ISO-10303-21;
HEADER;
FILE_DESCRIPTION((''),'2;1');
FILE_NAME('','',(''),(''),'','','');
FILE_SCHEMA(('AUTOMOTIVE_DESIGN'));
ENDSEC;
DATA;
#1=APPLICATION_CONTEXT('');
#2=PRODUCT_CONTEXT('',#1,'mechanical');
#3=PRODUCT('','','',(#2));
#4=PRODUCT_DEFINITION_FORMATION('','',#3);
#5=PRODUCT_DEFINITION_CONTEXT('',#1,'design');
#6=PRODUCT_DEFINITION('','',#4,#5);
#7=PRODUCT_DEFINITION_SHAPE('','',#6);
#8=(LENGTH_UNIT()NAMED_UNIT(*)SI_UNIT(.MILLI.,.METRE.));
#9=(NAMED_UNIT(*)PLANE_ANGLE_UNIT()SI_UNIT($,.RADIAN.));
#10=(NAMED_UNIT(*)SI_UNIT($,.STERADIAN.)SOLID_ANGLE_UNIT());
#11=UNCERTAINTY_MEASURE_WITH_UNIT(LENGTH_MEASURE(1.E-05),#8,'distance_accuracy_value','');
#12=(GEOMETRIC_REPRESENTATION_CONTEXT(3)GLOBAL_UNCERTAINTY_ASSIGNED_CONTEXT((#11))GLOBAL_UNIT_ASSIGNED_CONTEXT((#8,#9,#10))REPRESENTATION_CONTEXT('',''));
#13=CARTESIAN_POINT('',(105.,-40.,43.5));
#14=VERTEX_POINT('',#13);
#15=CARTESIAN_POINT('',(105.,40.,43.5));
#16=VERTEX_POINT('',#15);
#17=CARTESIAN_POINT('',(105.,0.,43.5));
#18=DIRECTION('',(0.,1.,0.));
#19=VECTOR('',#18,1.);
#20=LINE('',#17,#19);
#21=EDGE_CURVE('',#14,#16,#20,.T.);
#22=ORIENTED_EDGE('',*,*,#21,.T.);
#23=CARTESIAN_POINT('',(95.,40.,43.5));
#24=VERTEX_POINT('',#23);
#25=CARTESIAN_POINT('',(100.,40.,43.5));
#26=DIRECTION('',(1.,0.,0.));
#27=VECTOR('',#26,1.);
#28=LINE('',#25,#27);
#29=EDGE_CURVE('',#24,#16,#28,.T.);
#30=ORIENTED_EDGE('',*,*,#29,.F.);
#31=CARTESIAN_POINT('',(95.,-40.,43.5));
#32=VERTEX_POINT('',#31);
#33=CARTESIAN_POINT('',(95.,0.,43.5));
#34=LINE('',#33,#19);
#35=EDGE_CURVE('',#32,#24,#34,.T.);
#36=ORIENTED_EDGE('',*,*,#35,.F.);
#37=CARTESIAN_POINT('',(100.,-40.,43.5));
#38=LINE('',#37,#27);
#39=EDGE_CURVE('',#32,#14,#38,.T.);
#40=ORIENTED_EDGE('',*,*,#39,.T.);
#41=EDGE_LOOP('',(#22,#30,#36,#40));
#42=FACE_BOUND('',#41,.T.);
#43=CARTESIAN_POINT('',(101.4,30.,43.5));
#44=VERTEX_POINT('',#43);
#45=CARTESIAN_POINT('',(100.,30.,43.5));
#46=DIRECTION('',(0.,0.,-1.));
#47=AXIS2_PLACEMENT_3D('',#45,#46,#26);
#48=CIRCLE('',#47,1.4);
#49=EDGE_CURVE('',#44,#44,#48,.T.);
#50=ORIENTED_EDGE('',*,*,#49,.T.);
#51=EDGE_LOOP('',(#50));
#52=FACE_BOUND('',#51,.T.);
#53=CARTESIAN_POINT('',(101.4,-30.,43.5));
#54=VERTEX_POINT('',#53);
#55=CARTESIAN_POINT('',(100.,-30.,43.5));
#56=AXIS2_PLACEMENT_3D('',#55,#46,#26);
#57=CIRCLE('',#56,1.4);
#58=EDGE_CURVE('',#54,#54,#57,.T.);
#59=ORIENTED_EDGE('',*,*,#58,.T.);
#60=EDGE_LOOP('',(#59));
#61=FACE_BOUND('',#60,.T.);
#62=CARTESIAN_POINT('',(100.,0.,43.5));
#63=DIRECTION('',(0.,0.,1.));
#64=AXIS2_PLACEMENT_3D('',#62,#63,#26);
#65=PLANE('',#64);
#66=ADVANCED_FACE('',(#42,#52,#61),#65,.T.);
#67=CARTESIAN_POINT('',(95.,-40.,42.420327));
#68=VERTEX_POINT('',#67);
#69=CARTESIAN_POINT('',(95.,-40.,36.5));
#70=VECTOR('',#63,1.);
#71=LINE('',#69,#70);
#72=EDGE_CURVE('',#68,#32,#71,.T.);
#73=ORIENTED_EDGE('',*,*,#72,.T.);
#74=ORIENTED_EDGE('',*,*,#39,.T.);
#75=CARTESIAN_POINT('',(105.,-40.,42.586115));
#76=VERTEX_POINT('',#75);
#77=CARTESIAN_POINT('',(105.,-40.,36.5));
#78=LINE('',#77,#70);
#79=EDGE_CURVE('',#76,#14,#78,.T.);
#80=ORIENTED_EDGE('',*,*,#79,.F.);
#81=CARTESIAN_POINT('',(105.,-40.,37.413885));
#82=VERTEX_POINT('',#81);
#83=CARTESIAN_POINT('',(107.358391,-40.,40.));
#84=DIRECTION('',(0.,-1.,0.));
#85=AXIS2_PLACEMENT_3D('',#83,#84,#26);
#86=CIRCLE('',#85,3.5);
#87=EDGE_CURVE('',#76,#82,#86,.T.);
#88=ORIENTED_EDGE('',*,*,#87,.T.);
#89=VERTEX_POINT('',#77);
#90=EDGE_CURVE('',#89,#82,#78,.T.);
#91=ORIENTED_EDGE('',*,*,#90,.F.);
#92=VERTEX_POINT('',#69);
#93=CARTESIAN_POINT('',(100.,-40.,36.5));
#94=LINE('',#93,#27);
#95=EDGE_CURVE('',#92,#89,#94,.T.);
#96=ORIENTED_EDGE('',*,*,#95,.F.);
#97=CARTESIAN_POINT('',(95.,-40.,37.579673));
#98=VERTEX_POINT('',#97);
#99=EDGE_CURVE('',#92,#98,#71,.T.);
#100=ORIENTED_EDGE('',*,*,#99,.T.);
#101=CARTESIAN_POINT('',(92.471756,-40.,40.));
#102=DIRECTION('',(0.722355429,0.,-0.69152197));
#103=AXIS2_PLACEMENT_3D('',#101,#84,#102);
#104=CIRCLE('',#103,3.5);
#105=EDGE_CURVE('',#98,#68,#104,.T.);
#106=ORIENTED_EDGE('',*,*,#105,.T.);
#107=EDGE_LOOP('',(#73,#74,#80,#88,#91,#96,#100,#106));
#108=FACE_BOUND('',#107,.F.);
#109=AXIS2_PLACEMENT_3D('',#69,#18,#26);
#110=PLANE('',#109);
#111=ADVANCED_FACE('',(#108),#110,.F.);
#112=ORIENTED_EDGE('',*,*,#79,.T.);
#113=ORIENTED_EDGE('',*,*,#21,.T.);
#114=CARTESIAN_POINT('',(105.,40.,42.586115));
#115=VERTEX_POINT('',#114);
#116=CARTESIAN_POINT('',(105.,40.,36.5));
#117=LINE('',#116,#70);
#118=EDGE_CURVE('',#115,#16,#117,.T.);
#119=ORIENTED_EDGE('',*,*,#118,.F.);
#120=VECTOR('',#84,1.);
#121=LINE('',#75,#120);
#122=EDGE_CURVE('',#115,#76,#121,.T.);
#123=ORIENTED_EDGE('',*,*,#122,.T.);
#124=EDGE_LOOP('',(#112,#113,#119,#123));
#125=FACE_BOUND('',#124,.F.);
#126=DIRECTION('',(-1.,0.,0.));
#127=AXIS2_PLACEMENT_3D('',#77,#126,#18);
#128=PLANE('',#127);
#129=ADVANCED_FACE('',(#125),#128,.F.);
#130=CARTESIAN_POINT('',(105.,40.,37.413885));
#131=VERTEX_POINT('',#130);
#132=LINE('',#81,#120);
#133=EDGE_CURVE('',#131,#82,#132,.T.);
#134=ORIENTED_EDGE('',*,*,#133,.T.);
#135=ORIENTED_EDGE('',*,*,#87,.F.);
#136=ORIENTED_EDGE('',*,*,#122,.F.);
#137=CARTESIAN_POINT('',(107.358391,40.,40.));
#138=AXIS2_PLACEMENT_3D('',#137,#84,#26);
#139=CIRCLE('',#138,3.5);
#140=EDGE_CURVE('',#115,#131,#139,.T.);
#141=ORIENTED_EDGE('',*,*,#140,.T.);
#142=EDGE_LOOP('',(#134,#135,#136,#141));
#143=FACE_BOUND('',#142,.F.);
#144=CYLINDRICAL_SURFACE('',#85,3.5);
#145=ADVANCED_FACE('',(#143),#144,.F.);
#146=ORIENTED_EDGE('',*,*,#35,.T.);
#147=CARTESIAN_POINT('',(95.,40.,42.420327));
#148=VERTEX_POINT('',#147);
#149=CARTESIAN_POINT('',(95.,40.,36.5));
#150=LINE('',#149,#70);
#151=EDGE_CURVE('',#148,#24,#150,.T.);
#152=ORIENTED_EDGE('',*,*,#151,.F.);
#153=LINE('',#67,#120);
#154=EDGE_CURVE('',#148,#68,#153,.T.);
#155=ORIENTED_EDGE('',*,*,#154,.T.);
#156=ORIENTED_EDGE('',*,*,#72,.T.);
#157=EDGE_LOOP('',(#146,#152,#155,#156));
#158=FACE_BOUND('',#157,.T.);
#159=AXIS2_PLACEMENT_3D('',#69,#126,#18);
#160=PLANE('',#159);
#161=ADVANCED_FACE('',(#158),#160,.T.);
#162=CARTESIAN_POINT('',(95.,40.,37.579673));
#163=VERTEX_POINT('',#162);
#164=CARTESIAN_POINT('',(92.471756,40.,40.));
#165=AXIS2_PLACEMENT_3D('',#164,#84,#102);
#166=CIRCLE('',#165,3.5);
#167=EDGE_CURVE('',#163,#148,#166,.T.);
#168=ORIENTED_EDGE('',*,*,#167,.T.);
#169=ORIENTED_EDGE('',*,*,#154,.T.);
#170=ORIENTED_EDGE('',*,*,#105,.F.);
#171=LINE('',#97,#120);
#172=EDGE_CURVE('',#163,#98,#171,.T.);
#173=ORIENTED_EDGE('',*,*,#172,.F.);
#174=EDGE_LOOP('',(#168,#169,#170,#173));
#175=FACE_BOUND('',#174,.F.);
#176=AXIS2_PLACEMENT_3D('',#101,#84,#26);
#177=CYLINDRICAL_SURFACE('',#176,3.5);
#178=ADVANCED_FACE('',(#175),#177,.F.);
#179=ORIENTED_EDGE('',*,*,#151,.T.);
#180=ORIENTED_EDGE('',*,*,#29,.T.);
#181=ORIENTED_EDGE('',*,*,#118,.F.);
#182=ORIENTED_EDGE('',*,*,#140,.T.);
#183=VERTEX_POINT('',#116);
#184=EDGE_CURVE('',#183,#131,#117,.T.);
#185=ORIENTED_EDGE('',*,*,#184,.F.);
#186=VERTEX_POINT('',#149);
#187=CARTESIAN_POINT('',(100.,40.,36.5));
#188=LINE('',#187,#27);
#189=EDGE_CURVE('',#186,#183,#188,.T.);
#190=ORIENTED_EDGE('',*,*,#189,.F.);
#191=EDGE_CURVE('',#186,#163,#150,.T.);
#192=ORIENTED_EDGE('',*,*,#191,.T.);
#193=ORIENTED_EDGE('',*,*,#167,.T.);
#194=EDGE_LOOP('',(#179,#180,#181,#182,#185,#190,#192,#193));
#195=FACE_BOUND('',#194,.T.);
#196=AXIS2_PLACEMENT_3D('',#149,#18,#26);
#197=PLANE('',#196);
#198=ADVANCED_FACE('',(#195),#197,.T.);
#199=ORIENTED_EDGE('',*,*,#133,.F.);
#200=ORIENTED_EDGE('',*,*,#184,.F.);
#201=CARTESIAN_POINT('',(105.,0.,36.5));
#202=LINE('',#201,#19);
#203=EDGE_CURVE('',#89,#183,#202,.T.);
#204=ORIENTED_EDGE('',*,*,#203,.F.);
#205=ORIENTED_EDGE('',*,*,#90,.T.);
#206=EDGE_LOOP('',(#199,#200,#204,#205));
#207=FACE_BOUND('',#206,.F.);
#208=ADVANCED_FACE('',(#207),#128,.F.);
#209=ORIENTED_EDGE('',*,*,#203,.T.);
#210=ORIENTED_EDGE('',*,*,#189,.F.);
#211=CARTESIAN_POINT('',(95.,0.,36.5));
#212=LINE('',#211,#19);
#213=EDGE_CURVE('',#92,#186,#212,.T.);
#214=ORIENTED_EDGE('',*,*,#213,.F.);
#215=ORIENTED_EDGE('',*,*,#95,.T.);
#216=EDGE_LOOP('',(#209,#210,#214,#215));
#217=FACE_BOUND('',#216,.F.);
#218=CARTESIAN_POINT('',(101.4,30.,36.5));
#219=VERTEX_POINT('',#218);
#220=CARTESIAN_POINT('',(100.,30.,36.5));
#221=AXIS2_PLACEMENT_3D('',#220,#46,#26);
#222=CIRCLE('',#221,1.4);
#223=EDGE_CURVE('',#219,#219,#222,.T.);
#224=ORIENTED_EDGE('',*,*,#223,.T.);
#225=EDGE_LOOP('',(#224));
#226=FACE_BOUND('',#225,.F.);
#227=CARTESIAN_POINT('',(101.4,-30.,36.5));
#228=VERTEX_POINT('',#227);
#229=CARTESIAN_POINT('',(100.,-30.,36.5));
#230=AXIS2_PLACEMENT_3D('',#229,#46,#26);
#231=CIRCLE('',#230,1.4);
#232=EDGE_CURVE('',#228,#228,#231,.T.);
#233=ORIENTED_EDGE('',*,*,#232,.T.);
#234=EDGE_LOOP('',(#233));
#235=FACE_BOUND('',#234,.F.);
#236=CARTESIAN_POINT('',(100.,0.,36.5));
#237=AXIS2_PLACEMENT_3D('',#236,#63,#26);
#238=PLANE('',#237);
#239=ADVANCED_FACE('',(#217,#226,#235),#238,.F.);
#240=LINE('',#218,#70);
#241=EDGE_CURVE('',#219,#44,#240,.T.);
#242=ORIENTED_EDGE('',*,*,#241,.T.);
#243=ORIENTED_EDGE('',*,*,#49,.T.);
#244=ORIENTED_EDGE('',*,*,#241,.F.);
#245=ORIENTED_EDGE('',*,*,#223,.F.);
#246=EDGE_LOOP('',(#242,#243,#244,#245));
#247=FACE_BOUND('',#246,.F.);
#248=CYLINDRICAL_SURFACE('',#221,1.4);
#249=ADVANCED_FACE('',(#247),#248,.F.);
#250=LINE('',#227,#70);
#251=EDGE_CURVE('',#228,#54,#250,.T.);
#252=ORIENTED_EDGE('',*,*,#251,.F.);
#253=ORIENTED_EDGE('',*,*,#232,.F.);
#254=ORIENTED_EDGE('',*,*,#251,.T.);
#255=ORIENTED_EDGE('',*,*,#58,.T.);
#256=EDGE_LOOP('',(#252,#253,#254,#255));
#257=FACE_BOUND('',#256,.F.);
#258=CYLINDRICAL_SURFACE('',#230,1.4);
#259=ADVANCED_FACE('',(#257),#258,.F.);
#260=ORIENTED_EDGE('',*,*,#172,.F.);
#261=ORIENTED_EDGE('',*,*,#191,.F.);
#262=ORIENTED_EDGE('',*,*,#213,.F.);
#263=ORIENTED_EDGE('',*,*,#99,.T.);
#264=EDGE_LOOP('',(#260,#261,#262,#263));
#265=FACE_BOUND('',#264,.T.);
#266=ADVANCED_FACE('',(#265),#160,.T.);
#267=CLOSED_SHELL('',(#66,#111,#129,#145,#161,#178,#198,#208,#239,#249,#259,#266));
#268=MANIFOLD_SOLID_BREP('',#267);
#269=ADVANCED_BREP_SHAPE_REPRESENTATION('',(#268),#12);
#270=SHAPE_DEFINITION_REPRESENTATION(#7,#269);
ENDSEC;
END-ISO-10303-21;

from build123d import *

# Parameters (mm, degrees)
SKETCH045_W     = 10
SKETCH045_H     = 80
PAD018_DEPTH    = 7
SKETCH046_R     = 1.4
POCKET026_DEPTH = 8
SKETCH047_R     = 3.5
POCKET027_DEPTH = 80.001


with BuildPart() as part:
    # Sketch045 → Pad018 (new body)
    with BuildSketch(Plane.XY):
        with Locations((100, 0)):
            Rectangle(SKETCH045_W, SKETCH045_H)
    extrude(amount=PAD018_DEPTH)

    # Sketch046 (on Face5 of Pad018) → Pocket026 (cut)
    with BuildSketch(Plane(origin=(0, 0, 0), x_dir=(1, 0, 0), z_dir=(0, 0, -1))):
        with Locations((100, 30)):
            Circle(SKETCH046_R)
        with Locations((100, -30)):
            Circle(SKETCH046_R)
    extrude(amount=-POCKET026_DEPTH, mode=Mode.SUBTRACT)

    # Sketch047 (on Face6 of Pocket026) → Pocket027 (cut, through all)
    with BuildSketch(Plane.XZ.offset(40)):
        with Locations((107.358391, 3.5)):
            Circle(SKETCH047_R)
        with Locations((92.471756, 3.5)):
            Circle(SKETCH047_R)
    extrude(amount=-POCKET027_DEPTH, mode=Mode.SUBTRACT)


with BuildPart() as part_1:
    # Body006 placement: moved
    add(part.part.moved(Location((0, 0, 36.5))))


solid = part_1.part
